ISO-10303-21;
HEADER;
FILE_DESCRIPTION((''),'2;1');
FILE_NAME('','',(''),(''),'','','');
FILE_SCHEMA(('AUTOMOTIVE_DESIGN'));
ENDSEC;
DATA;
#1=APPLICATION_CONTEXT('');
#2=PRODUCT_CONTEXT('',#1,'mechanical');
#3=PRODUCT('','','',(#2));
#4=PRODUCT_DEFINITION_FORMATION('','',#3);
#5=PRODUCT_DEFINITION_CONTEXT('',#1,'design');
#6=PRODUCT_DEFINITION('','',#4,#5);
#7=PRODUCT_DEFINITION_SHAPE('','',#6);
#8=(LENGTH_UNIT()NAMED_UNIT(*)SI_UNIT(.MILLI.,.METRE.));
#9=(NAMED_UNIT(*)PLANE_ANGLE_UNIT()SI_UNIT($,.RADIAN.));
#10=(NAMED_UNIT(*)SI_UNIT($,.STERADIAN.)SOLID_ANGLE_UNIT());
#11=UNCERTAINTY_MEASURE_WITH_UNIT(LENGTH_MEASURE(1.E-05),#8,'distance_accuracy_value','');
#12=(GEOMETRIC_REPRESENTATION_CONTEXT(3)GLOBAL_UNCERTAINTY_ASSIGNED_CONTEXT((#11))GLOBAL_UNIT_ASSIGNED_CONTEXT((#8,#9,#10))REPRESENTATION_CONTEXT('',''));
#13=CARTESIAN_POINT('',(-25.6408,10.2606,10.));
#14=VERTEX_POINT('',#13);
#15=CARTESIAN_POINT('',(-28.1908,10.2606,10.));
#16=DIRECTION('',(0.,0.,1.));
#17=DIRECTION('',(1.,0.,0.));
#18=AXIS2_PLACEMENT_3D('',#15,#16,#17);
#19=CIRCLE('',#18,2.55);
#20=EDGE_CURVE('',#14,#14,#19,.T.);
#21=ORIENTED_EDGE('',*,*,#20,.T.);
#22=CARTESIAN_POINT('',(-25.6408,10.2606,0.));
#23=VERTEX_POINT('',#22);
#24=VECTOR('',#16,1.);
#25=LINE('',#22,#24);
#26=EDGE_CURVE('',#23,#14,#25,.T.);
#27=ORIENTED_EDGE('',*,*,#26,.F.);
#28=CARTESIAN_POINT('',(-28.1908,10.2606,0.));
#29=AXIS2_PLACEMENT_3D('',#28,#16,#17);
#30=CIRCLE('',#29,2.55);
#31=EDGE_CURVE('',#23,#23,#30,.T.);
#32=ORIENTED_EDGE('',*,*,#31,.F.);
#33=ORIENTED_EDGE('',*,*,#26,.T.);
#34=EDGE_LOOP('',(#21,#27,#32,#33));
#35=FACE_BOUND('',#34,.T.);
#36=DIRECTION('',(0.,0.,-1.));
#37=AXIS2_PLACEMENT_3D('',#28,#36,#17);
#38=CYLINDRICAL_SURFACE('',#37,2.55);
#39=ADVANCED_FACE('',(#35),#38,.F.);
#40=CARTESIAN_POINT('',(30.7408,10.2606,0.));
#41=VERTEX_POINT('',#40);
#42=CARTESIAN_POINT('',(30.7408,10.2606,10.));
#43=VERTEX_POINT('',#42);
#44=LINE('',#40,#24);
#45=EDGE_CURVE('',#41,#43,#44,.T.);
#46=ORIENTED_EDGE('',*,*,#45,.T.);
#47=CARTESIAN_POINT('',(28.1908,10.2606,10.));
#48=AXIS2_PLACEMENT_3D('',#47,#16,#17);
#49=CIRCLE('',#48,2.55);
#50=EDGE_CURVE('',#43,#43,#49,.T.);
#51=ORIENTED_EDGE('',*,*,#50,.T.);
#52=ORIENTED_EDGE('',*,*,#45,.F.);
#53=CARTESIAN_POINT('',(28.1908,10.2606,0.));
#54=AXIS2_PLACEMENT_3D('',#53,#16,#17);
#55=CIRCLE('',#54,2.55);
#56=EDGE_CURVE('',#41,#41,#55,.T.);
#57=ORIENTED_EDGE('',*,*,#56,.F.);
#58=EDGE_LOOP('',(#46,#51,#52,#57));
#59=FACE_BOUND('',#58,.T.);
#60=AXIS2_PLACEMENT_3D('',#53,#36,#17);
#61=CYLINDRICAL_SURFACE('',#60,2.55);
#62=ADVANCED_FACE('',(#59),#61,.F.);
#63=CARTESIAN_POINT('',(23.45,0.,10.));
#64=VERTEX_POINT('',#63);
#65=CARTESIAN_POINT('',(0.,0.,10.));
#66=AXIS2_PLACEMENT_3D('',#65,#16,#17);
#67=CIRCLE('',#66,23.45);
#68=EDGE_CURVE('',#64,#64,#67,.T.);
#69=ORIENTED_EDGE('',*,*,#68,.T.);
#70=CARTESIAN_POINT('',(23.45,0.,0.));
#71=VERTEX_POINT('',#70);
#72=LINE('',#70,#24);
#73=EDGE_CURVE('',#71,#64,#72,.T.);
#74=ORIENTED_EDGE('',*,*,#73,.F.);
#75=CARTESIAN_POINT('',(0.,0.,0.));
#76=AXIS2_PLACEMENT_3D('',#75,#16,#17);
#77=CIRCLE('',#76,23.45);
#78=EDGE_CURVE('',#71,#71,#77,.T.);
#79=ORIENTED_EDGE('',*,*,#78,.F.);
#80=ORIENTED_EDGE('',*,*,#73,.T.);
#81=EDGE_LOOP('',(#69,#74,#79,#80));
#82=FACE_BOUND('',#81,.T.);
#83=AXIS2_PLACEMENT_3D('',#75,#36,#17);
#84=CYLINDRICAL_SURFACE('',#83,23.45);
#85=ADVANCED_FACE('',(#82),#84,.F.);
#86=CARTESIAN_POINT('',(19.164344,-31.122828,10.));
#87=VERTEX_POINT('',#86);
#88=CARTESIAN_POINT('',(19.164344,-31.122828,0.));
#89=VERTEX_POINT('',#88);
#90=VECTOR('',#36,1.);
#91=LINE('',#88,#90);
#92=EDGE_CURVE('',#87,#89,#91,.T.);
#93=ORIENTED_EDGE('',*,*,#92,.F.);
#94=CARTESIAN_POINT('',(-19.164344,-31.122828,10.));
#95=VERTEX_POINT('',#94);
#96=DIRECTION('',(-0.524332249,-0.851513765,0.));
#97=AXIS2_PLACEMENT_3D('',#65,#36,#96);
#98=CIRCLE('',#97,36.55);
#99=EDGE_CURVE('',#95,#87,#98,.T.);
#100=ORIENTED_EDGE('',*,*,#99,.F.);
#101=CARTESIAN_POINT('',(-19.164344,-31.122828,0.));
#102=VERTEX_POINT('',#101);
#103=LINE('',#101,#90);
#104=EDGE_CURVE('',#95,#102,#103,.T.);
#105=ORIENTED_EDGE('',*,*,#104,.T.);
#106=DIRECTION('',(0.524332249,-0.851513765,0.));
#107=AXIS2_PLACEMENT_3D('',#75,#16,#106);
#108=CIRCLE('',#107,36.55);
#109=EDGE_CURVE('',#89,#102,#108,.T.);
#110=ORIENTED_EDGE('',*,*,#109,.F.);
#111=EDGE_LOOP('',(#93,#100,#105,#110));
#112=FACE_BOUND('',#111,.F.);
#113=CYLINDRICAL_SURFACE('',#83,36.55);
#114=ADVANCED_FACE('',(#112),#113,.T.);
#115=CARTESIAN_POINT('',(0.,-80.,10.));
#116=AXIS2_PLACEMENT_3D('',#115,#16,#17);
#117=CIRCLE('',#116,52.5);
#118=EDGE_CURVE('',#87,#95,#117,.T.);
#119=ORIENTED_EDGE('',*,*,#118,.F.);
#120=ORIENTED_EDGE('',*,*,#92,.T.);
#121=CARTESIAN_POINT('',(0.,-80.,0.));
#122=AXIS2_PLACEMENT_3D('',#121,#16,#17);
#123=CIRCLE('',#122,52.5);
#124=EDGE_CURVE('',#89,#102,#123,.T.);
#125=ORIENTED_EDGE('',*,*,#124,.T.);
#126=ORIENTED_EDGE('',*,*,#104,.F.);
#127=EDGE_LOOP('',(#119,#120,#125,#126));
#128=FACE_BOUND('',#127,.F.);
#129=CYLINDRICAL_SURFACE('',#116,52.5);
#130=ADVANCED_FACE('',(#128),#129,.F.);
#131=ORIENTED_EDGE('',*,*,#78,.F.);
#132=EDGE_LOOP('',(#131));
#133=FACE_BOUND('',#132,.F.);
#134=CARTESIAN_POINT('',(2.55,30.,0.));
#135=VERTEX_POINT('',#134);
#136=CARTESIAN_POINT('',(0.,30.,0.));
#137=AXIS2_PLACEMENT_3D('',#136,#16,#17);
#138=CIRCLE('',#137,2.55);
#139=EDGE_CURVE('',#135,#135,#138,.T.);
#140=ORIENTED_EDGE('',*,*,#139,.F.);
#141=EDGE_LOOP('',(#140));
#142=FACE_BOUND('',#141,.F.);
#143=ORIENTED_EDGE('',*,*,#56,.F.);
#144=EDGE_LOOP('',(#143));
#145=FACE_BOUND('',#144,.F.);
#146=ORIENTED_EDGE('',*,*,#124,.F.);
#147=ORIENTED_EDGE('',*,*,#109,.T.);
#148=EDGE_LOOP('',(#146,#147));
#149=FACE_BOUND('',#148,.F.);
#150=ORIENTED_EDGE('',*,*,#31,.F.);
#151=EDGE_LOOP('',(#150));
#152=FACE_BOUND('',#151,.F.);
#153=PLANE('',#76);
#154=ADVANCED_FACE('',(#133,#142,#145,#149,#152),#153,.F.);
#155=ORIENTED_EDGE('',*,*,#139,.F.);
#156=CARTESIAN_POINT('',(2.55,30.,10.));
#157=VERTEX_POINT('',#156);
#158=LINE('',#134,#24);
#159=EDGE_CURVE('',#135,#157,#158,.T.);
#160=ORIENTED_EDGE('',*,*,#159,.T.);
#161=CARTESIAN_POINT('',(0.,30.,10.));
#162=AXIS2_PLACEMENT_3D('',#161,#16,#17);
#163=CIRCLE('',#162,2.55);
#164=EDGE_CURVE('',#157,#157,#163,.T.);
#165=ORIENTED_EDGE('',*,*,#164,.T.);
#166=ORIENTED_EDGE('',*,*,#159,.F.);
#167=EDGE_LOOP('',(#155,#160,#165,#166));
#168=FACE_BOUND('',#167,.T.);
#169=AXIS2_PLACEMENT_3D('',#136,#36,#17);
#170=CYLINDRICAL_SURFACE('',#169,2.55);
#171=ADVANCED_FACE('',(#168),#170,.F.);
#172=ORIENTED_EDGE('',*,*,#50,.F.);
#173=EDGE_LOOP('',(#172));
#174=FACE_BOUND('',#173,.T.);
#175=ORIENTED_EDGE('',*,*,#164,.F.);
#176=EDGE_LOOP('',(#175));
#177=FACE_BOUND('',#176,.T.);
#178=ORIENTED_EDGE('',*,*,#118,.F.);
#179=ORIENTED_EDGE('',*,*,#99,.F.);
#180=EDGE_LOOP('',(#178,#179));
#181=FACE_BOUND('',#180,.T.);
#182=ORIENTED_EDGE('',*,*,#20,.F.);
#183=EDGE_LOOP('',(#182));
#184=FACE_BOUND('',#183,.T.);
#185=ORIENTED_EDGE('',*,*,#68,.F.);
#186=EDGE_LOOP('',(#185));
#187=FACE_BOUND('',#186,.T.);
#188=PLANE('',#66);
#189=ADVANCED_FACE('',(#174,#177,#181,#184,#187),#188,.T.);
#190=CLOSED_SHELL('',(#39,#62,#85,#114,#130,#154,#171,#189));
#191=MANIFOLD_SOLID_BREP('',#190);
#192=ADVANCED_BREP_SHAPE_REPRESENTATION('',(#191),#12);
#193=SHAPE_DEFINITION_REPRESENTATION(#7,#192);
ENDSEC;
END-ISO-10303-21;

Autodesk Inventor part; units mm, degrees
ref_plane "YZ Plane" through (0, 0, 0) normal (1, 0, 0) x (0, 1, 0)
ref_plane "XZ Plane" through (0, 0, 0) normal (0, 1, 0) x (-1, 0, 0)
ref_plane "XY Plane" through (0, 0, 0) normal (0, 0, 1) x (1, 0, 0)
sketch "スケッチ1" plane through (0, 0, 0) normal (0, 0, 1) x (1, 0, 0)
  circle A0 centre (0, 0) radius 23.45
  circle A1 centre (0, 0) radius 36.55
  line L0 (0, 0) -> (-28.1908, 10.2606) construction
  line L1 (0, 0) -> (28.1908, 10.2606) construction
  line L2 (-39.5959, 0) -> (43.1917, 0) construction
  line L3 (0, 0) -> (0, 30) construction
  circle A2 centre (-28.1908, 10.2606) radius 2.55
  circle A3 centre (0, 30) radius 2.55
  circle A4 centre (28.1908, 10.2606) radius 2.55
  dimension "d0" = 73.1
  dimension "d1" = 46.9
  dimension "d2" = 30
  dimension "d3" = 30
  dimension "d6" = 20
  dimension "d7" = 20
  dimension "d8" = 30
  dimension "d9" = 5.1
  dimension "d10" = 5.1
  dimension "d11" = 5.1
extrude "押し出し1" add sketch "スケッチ1" along normal blind 10
sketch "スケッチ2" plane through (0, 0, 10) normal (0, 0, 1) x (1, 0, 0)
  line L0 (0, 0) -> (0, -80) construction
  circle A0 centre (0, -80) radius 52.5
  dimension "d14" = 80
  dimension "d18" = 105
extrude "押し出し2" cut sketch "スケッチ2" against normal blind 10
sketch "スケッチ3" plane through (0, 0, 10) normal (0, 0, 1) x (1, 0, 0)
  circle A0 centre (28.1908, 10.2606) radius 2.55 projected
  line L0 (0, 0) -> (28.1908, 10.2606)
  circle A1 centre (-28.1908, 10.2606) radius 2.55 projected
  line L1 (-28.1908, 10.2606) -> (0, 0)
  circle A2 centre (0, 30) radius 2.55 projected
  line L2 (0, 0) -> (0, 30)
properties part number "円 46.9mm"
